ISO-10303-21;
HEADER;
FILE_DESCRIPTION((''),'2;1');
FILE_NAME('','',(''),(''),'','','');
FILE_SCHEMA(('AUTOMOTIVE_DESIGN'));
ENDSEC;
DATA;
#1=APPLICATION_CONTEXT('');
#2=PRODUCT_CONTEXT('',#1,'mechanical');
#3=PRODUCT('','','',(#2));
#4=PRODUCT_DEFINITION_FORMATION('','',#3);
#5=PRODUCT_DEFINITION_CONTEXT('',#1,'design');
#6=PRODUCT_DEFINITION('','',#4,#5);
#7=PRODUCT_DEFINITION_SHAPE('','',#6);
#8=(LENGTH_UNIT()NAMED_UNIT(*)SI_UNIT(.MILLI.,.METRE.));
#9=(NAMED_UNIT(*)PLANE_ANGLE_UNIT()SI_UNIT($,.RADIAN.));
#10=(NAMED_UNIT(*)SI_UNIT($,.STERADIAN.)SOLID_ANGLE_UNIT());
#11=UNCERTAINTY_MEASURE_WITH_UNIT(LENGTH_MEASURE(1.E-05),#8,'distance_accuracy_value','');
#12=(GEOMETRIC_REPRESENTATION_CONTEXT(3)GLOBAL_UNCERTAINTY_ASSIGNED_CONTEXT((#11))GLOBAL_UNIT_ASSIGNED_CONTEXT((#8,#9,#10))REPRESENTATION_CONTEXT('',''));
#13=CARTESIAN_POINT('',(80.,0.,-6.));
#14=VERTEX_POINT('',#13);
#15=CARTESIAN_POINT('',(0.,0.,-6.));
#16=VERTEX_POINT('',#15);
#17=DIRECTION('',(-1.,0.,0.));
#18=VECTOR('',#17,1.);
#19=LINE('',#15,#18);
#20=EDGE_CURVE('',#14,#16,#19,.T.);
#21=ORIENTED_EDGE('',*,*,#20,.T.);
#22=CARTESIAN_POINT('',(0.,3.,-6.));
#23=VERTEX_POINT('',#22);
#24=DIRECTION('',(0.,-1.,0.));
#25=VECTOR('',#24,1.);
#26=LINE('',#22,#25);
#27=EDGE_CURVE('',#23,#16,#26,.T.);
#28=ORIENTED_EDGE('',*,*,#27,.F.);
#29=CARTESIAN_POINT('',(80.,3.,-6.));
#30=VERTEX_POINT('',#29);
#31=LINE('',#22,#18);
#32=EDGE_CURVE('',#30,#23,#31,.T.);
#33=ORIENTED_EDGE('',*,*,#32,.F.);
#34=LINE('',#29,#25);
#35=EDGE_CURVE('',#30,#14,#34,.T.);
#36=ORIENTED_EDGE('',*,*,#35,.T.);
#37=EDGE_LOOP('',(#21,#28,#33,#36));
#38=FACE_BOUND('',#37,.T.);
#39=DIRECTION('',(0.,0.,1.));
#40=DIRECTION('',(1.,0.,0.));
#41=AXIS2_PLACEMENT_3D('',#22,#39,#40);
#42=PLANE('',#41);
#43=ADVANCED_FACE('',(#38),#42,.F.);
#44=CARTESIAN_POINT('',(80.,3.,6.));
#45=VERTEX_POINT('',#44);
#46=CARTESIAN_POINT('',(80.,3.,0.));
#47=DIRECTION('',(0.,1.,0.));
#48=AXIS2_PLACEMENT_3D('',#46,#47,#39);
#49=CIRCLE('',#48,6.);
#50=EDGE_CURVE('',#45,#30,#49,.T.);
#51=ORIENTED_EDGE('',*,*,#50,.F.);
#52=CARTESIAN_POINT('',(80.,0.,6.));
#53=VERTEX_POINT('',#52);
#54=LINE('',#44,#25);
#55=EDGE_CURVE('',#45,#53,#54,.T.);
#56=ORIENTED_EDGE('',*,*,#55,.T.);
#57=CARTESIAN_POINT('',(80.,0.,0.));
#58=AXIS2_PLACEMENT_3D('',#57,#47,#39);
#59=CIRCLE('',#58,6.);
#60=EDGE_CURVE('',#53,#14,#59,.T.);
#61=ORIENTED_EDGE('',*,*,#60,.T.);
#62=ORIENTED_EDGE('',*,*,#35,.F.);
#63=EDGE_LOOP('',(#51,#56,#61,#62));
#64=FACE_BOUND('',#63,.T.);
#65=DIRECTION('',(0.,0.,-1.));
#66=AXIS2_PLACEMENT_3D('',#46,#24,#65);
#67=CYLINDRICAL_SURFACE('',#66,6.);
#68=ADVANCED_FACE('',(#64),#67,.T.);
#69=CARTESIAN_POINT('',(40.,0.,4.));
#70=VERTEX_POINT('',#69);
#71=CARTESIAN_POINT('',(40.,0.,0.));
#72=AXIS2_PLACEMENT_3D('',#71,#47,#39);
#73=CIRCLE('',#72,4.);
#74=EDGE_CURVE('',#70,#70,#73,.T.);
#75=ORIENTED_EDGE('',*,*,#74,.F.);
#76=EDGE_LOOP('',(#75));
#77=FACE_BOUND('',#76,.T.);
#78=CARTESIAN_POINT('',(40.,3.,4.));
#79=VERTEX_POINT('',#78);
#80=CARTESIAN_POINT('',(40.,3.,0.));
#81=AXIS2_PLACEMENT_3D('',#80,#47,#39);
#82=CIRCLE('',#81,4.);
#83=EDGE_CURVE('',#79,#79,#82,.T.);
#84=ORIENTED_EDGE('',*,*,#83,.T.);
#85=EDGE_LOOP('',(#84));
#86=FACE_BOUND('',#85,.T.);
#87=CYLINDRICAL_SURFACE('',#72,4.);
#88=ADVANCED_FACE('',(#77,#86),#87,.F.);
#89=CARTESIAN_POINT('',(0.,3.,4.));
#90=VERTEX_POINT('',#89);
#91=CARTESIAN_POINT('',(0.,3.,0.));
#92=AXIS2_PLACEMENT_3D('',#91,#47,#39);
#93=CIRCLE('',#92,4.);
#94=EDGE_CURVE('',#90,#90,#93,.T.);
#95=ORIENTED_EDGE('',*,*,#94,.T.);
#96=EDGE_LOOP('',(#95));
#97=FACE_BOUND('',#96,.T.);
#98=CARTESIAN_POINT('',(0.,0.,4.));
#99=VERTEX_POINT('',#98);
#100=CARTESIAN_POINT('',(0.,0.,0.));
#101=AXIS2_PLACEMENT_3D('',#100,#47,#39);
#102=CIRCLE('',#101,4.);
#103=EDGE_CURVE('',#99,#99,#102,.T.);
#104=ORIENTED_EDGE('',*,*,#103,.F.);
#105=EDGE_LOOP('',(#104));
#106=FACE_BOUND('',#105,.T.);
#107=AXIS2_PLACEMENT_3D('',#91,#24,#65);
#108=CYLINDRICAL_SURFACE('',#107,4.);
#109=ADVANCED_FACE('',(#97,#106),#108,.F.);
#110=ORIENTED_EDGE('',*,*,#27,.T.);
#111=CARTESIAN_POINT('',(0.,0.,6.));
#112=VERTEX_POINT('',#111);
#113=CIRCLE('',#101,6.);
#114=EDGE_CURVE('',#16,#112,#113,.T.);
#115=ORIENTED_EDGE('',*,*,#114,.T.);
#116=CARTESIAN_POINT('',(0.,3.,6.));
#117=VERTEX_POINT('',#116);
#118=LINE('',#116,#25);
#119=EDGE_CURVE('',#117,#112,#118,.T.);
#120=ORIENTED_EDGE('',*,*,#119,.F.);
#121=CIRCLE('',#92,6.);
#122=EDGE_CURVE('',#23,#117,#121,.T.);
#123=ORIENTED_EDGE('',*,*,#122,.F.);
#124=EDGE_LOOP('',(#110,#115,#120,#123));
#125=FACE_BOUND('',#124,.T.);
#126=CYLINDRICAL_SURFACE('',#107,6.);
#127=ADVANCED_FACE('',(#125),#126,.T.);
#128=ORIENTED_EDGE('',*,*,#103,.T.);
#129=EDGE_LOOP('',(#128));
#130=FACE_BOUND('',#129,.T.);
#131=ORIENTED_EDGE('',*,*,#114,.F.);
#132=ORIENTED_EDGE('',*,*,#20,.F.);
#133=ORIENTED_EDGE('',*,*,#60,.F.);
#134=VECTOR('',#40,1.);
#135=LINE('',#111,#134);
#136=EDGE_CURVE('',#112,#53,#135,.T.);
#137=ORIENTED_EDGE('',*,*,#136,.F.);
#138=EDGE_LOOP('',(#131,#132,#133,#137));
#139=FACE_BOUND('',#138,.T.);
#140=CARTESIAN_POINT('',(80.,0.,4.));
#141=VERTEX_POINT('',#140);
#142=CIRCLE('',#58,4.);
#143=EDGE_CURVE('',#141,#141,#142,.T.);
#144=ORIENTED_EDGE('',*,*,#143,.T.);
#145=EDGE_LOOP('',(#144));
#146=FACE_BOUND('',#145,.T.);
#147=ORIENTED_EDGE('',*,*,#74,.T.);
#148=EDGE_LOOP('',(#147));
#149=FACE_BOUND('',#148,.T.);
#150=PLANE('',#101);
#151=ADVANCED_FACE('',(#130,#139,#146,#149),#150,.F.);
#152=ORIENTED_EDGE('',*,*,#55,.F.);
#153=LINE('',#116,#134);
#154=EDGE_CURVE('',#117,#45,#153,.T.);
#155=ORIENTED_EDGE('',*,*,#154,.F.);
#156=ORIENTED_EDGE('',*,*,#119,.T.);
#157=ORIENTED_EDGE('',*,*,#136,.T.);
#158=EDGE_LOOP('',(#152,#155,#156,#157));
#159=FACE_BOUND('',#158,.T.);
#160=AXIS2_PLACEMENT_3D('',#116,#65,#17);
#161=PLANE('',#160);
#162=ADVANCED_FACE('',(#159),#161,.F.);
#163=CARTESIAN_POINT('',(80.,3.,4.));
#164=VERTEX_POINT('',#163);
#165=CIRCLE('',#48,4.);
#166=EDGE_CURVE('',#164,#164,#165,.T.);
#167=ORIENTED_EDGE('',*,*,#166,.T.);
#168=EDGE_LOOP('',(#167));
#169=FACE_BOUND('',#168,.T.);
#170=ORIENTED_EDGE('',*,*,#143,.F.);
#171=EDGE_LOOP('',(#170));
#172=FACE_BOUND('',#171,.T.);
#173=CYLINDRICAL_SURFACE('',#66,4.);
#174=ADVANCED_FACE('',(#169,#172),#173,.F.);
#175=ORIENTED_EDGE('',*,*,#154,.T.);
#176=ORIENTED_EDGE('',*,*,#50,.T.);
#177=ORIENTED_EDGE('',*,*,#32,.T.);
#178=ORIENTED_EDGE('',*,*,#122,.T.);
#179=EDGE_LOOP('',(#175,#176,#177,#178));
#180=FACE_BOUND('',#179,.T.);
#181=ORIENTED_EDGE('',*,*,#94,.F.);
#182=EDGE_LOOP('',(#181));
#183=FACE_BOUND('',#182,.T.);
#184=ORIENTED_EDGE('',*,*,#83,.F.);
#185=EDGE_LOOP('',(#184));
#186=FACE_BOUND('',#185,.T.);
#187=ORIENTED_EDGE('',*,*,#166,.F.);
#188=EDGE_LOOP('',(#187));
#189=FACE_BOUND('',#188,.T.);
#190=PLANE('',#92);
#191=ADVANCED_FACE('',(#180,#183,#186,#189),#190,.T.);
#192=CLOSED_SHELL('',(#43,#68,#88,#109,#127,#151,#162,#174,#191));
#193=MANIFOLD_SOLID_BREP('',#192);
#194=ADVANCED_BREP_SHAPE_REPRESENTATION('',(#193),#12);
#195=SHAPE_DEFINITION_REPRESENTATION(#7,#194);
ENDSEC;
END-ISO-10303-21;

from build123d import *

# Parameters (mm, degrees)
SKETCH1_R           = 4
BOSS_EXTRUDE1_DEPTH = 3
SKETCH2_R           = 4
CUT_EXTRUDE1_DEPTH  = 87.261231153


with BuildPart() as part:
    # Sketch1 → Boss-Extrude1 (new body)
    with BuildSketch(Plane(origin=(0, 0, 0), x_dir=(1, 0, 0), z_dir=(0, 1, 0))):
        with BuildLine():
            Line((0, 6), (80, 6))
            ThreePointArc((80, 6), (86, 0), (80, -6))
            Line((80, -6), (0, -6))
            ThreePointArc((0, -6), (-6, 0), (0, 6))
        make_face()
        with Locations(Location((0, 0, 0), (0, 0, 270))):
            Circle(SKETCH1_R, mode=Mode.SUBTRACT)
        with Locations(Location((80, 0, 0), (0, 0, 270))):
            Circle(SKETCH1_R, mode=Mode.SUBTRACT)
    extrude(amount=BOSS_EXTRUDE1_DEPTH)

    # Sketch2 → Cut-Extrude1 (cut, through all)
    with BuildSketch(Plane(origin=(0, 3, 0), x_dir=(1, 0, 0), z_dir=(0, 1, 0))):
        with Locations(Location((40, 0, 0), (0, 0, 270))):
            Circle(SKETCH2_R)
    extrude(amount=-CUT_EXTRUDE1_DEPTH, mode=Mode.SUBTRACT)


solid = part.part
